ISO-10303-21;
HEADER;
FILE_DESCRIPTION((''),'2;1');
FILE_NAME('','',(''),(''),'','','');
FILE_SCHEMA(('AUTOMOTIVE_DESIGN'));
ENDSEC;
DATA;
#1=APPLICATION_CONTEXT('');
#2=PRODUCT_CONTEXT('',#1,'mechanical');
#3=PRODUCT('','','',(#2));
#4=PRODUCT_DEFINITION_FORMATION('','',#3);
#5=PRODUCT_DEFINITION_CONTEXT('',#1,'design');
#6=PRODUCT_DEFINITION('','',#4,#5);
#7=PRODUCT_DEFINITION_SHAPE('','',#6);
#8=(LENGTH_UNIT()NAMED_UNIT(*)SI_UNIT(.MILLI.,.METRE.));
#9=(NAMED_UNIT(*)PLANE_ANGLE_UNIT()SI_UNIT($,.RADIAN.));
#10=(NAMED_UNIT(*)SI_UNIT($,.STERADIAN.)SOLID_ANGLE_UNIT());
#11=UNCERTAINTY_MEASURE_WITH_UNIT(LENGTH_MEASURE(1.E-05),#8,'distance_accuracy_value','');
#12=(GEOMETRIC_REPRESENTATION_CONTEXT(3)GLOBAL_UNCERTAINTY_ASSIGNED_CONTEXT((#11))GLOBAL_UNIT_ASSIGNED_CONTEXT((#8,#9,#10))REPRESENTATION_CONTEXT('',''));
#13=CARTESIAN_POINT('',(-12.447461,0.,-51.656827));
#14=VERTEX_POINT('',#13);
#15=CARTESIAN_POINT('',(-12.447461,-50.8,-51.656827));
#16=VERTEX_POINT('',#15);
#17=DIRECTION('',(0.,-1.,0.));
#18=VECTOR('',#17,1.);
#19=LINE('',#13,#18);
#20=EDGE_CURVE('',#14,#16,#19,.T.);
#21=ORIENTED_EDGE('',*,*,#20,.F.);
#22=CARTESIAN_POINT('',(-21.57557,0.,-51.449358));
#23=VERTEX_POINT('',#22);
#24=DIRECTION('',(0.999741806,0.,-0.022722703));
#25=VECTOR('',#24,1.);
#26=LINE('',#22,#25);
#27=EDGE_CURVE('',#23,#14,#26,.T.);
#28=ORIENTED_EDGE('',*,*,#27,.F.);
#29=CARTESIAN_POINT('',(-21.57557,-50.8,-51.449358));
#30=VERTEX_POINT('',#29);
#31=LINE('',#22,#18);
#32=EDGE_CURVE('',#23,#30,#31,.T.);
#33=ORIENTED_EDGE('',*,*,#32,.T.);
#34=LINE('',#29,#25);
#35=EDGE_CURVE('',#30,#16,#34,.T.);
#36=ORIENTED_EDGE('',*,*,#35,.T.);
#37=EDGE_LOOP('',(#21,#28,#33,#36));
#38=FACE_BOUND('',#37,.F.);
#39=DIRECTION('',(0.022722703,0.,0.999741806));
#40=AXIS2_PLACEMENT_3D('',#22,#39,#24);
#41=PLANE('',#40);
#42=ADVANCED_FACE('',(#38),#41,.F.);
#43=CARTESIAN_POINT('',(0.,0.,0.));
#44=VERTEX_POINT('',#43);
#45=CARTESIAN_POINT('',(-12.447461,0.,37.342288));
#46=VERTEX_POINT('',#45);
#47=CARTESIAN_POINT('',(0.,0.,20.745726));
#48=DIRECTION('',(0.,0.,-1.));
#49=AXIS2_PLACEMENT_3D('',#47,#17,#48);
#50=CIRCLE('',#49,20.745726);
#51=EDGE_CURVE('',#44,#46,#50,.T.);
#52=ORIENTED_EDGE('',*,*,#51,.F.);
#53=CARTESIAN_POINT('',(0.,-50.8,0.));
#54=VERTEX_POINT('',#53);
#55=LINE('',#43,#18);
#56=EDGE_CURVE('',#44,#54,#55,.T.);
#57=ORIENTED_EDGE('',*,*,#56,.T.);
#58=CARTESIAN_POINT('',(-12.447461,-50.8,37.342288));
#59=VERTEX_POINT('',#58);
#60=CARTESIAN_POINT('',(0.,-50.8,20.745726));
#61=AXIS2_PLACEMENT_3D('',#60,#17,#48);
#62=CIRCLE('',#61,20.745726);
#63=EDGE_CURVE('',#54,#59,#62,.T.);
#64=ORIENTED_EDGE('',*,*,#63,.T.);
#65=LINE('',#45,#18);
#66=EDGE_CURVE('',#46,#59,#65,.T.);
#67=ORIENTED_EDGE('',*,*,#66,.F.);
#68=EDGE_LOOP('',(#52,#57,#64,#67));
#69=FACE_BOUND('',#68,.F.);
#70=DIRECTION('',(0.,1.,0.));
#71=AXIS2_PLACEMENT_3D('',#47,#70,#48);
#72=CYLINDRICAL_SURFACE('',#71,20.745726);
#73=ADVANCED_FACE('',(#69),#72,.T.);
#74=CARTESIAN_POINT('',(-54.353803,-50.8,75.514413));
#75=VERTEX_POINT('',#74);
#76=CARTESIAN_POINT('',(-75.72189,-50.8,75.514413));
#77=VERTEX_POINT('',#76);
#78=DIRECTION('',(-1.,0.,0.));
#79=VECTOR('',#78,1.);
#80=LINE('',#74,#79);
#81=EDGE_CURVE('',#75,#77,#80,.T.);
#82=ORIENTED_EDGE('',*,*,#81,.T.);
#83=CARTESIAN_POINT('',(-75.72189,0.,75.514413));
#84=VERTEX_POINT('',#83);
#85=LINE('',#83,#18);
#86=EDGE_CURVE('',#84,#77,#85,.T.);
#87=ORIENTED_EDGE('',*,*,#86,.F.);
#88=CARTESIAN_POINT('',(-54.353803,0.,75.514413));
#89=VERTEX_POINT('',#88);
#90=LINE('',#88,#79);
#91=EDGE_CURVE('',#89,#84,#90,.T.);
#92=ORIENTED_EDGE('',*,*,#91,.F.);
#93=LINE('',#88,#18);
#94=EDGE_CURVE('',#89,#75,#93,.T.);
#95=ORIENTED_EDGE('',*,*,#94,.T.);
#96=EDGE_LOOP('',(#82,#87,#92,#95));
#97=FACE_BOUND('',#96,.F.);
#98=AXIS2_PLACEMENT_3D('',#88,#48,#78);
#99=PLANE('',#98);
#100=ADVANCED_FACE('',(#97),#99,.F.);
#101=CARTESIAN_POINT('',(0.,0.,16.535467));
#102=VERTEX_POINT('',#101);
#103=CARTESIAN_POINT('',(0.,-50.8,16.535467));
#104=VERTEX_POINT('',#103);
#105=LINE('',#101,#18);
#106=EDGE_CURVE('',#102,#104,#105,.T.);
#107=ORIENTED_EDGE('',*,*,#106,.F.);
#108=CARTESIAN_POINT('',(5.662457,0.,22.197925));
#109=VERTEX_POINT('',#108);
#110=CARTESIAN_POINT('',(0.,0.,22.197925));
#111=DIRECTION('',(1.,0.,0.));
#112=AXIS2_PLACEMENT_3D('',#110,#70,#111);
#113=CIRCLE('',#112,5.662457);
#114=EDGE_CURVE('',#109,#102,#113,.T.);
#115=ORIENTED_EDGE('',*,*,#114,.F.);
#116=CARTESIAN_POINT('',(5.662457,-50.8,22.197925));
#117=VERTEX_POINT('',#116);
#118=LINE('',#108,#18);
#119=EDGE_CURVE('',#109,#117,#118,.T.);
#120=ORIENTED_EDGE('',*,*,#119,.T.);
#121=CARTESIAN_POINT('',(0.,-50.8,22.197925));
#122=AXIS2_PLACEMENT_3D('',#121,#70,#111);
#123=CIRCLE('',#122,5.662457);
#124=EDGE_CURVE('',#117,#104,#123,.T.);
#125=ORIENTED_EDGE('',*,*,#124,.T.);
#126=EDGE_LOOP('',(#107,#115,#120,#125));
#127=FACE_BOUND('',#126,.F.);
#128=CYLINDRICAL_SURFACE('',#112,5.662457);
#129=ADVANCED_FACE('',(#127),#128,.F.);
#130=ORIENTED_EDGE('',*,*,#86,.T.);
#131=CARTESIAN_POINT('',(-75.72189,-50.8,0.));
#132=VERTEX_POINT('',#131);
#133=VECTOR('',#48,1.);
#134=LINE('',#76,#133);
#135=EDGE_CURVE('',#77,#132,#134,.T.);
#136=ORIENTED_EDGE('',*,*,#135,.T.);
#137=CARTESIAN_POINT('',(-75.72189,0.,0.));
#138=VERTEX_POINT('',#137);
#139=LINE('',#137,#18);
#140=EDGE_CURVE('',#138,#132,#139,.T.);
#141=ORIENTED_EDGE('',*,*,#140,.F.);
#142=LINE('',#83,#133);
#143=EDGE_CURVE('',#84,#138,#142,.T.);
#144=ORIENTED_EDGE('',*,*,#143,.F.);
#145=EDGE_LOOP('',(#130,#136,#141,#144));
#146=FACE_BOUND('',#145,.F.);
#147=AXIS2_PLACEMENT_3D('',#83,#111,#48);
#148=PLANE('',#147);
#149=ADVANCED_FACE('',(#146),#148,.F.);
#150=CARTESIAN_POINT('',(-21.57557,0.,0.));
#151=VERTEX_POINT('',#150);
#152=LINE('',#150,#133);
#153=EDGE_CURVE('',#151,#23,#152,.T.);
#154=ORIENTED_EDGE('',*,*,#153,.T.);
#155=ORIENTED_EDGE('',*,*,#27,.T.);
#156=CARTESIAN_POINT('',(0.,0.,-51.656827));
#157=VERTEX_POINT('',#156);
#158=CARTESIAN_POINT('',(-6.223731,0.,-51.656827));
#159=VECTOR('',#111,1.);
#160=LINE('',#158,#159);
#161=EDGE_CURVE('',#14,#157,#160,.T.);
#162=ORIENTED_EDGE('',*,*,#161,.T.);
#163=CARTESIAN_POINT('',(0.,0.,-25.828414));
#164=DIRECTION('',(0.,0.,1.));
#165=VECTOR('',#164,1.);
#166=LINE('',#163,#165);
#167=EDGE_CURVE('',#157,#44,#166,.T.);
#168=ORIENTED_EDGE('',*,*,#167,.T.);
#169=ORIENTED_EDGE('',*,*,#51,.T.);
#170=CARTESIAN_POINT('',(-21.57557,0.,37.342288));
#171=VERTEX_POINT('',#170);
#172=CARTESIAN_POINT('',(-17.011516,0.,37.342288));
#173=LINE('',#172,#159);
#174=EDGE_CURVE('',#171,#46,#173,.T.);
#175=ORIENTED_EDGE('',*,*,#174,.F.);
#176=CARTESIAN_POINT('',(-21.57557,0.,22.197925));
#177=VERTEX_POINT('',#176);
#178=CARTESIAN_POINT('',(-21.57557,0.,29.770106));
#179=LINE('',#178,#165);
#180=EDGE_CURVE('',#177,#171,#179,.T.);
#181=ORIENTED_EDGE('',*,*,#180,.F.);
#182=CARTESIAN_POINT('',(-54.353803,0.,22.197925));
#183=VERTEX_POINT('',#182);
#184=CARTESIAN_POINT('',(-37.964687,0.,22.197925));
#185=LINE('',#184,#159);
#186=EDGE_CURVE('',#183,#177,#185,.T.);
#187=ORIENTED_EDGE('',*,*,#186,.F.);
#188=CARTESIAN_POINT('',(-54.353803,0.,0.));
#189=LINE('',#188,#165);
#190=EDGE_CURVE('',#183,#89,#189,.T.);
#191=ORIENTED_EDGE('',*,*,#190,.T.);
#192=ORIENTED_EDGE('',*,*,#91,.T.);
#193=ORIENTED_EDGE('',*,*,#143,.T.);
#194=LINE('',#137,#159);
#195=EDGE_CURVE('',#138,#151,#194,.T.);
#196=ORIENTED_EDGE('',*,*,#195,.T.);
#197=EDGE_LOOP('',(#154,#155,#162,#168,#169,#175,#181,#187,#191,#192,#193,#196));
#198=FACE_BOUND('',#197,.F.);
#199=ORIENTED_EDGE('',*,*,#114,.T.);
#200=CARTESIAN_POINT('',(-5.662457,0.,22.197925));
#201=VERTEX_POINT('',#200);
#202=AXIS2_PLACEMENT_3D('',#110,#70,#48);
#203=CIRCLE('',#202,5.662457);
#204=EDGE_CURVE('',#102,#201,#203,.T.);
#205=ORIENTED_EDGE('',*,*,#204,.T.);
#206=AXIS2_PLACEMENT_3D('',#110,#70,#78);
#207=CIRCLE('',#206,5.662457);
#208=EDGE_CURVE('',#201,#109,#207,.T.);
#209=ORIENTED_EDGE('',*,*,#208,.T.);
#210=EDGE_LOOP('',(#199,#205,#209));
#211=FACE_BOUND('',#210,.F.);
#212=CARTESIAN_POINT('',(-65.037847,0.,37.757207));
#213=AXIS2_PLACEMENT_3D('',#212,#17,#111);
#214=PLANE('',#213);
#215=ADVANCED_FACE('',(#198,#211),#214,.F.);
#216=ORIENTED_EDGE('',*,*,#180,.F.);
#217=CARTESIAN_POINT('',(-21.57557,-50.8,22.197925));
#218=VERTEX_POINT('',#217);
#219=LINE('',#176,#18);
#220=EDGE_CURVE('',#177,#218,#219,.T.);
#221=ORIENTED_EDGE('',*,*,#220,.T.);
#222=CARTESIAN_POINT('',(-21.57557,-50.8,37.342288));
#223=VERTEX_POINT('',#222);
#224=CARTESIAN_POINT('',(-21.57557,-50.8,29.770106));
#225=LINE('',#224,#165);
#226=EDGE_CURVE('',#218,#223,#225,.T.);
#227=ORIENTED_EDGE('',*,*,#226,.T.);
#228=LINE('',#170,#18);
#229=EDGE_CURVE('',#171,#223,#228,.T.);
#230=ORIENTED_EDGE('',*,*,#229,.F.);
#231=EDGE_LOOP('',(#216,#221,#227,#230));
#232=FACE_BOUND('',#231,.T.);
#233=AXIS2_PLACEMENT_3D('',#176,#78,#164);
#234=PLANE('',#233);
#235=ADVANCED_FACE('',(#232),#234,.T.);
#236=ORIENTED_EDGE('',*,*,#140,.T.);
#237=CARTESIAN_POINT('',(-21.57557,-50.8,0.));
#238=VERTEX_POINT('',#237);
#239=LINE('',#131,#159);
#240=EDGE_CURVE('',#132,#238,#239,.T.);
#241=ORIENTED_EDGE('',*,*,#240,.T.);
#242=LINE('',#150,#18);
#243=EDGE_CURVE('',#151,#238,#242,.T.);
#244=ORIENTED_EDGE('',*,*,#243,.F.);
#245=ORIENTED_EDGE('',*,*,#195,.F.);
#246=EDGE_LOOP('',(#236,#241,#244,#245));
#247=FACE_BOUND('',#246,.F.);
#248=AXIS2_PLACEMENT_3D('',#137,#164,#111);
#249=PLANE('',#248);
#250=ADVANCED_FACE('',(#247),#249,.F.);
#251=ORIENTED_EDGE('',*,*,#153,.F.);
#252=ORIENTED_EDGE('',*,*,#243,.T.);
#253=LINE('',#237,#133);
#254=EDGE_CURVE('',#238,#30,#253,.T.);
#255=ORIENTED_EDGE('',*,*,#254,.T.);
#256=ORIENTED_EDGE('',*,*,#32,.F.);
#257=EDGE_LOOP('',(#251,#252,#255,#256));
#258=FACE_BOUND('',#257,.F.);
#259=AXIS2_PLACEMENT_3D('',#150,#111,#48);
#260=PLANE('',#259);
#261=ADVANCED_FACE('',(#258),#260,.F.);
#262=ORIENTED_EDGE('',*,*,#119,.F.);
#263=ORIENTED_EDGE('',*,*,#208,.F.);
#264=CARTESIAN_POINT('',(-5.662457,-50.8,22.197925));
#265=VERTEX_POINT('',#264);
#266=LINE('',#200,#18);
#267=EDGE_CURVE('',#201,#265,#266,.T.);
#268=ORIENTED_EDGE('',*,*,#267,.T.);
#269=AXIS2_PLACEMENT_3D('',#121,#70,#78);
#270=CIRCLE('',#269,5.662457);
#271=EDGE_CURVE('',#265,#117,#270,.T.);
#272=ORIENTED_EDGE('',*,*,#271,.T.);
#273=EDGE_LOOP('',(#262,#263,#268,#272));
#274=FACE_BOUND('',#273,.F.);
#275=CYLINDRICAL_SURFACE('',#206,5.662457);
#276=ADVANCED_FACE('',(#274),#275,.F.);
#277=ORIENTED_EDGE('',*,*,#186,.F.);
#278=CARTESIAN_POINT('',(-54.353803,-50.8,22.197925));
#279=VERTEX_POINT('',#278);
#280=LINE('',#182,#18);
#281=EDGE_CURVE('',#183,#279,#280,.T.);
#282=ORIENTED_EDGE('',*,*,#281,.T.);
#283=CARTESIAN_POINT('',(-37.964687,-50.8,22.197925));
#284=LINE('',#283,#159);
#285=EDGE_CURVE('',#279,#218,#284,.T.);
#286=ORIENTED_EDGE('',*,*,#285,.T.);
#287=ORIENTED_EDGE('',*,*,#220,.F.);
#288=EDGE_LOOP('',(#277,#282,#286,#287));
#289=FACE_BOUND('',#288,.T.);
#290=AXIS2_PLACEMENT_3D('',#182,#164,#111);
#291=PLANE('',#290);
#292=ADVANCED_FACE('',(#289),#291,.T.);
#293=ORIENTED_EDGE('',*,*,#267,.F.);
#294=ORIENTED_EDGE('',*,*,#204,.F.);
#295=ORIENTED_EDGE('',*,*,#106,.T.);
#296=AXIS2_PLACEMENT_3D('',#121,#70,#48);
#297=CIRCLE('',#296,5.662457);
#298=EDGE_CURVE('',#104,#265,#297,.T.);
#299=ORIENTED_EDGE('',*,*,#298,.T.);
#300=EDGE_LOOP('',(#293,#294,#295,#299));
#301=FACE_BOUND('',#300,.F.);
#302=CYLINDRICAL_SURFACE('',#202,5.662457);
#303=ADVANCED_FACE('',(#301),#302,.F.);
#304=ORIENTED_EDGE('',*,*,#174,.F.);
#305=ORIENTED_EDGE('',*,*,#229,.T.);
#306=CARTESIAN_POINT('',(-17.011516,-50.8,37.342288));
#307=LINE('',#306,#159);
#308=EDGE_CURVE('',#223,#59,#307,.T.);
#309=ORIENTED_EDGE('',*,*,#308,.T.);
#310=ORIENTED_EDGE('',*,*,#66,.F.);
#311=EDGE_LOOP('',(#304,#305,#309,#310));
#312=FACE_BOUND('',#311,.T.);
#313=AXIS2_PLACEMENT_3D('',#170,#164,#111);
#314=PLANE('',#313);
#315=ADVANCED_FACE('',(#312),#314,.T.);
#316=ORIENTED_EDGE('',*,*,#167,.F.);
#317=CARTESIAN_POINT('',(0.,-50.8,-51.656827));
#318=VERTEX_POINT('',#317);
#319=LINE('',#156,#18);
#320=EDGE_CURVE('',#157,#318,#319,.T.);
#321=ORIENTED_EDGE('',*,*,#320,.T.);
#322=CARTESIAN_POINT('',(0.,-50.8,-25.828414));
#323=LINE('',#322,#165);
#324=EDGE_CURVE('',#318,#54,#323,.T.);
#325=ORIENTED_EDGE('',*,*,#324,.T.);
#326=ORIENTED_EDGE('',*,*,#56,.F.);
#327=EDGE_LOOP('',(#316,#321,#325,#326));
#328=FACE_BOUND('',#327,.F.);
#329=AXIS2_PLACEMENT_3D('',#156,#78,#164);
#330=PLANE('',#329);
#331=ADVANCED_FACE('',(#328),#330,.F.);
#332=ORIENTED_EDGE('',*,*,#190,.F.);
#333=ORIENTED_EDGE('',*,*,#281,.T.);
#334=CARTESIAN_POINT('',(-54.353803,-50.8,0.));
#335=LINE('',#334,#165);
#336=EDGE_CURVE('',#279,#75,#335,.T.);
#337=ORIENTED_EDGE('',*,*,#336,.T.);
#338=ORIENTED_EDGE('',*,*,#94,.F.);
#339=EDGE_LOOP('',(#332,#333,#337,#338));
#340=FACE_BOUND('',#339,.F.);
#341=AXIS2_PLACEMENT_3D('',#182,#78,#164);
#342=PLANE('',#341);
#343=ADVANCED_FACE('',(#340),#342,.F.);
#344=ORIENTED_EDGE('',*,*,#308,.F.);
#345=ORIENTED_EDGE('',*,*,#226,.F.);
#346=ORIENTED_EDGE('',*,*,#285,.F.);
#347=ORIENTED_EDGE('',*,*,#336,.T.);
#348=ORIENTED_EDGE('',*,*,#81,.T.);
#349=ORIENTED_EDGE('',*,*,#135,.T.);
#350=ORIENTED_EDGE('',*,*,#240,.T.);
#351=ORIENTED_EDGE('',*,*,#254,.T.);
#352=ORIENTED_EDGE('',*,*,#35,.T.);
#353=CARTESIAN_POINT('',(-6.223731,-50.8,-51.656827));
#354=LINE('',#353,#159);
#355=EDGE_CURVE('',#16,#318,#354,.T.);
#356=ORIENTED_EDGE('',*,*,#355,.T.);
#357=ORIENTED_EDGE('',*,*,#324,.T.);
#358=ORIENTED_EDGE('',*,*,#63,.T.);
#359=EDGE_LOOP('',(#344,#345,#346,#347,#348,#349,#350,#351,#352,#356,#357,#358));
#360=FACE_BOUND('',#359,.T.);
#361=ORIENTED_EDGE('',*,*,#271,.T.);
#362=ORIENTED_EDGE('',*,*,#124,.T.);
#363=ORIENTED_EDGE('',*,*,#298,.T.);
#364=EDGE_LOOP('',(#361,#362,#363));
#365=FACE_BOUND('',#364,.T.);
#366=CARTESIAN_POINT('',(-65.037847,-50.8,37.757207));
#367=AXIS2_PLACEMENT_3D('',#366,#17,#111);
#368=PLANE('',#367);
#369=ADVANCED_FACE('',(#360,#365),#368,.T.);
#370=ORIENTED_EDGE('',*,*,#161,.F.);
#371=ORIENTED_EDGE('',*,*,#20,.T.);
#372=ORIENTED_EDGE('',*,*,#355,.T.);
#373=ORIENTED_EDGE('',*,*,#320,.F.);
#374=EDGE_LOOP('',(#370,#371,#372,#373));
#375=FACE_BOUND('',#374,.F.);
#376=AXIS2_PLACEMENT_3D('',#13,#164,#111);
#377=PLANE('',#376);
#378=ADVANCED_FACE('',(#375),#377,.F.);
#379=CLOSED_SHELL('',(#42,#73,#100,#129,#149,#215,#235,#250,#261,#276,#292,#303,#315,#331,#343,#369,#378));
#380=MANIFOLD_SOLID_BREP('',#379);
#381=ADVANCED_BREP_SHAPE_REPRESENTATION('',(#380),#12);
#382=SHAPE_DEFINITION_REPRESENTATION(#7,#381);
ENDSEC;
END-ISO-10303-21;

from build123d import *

# Parameters (mm, degrees)
F0_W     = 32.7782332897
F0_H     = 22.1979245543
F0_W_2   = 9.1281086206
F0_H_2   = 15.1443630457
F0_W_3   = 12.4474614859
F0_H_3   = 51.6568273306
F1_DEPTH = 50.8


with BuildPart() as f1:
    # F0 (on Front) → F1 (new body)
    with BuildSketch(Plane.XZ):
        Polygon((-54.3538033962, 75.5144134164), (-75.7218897343, 75.5144134164), (-75.7218897343, 0), (-54.3538033962, 0), (-54.3538033962, 22.1979245543), align=None)
        with Locations((-37.9646867514, 11.0989622772)):
            Rectangle(F0_W, F0_H)
        with Locations((-17.0115157962, 29.7701060772)):
            Rectangle(F0_W_2, F0_H_2)
        with Locations((-17.0115157962, 11.0989622772)):
            Rectangle(F0_W_2, F0_H)
        Polygon((-12.4474614859, 0), (-21.5755701065, 0), (-21.5755701065, -51.4493584633), (-12.4474614859, -51.6568273306), align=None)
        with BuildLine():
            Line((-12.4474614859, 37.3422876), (-12.4474614859, 22.1979245543))
            Line((-12.4474614859, 22.1979245543), (-5.662457365, 22.1979245543))
            ThreePointArc((-5.662457365, 22.1979245543), (0, 27.8603819194), (5.662457365, 22.1979245543))
            ThreePointArc((5.662457365, 22.1979245543), (4.003962001, 18.1939625534), (0, 16.5354671893))
            Line((0, 16.5354671893), (0, 0))
            ThreePointArc((0, 0), (19.6811187477, 27.3061160274), (-12.4474614859, 37.3422876))
        make_face()
        with BuildLine():
            Line((-5.662457365, 22.1979245543), (-12.4474614859, 22.1979245543))
            Line((-12.4474614859, 22.1979245543), (-12.4474614859, 0))
            Line((-12.4474614859, 0), (0, 0))
            Line((0, 0), (0, 16.5354671893))
            ThreePointArc((0, 16.5354671893), (-4.003962001, 18.1939625534), (-5.662457365, 22.1979245543))
        make_face()
        with Locations((-6.2237307429, -25.8284136653)):
            Rectangle(F0_W_3, F0_H_3)
    extrude(amount=F1_DEPTH)


solid = f1.part
